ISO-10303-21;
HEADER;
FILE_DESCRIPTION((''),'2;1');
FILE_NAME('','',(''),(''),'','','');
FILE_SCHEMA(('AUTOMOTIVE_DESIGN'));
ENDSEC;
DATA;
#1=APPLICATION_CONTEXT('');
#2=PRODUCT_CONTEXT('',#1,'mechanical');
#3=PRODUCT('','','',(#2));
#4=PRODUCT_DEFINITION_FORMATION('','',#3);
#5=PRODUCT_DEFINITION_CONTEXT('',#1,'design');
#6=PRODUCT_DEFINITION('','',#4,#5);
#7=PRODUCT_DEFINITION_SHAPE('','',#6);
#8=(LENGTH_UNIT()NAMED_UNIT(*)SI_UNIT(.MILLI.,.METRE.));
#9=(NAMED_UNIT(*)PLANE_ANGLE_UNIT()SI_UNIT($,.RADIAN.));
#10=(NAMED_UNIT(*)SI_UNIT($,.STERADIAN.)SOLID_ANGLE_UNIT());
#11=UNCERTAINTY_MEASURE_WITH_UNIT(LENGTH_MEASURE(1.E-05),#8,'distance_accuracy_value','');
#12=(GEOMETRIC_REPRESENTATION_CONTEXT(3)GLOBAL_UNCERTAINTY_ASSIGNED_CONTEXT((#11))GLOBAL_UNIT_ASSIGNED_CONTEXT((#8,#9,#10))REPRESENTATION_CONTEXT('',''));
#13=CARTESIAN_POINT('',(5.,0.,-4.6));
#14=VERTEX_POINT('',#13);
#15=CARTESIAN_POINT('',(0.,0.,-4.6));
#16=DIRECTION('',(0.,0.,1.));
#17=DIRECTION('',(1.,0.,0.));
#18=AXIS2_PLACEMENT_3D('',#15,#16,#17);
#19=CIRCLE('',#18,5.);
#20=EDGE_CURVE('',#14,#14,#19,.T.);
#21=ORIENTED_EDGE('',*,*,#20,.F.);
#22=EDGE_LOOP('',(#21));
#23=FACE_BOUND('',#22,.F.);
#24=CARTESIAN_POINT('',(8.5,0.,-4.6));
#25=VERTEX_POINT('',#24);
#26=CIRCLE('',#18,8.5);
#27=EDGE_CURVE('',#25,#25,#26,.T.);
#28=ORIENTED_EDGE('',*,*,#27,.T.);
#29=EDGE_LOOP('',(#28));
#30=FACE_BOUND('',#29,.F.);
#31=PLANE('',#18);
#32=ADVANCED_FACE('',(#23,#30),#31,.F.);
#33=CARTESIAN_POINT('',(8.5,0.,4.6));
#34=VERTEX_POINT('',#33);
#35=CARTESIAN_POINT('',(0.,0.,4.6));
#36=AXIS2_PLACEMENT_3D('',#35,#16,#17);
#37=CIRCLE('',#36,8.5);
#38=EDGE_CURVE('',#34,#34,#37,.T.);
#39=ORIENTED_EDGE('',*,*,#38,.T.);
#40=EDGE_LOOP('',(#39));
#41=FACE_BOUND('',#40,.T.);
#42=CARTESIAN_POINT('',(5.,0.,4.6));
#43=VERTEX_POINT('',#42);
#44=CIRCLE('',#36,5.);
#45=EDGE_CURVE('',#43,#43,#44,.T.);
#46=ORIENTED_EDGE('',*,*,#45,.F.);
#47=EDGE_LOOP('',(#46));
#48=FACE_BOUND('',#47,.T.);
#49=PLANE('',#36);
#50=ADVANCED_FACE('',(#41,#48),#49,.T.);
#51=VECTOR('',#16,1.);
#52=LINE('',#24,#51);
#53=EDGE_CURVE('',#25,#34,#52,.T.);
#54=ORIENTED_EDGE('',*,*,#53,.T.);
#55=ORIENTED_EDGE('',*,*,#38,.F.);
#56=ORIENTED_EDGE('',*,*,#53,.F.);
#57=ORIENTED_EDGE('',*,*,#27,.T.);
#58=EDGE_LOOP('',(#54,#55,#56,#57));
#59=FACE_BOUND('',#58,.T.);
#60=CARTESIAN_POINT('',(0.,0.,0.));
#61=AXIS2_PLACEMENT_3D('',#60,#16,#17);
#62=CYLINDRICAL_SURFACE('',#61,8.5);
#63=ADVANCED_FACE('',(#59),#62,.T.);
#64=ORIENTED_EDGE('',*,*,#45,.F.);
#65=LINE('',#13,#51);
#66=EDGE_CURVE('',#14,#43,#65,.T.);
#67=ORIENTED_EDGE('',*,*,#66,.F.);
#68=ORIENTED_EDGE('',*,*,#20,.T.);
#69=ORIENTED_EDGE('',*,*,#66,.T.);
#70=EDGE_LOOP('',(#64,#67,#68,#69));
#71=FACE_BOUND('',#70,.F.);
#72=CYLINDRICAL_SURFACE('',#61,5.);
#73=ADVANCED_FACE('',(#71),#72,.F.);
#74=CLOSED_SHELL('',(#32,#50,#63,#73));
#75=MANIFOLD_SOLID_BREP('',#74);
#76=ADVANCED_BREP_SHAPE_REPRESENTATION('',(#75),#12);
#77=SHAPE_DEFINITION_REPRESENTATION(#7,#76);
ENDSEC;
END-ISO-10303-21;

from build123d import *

# Parameters (mm, degrees)
SKETCH_3_R          = 8.5
EXTRUDE_2_DEPTH     = 4.6
SKETCH_4_R          = 5
CUT_EXTRUDE_1_DEPTH = 4.6


with BuildPart() as part:
    # 草图3 → 凸台-拉伸2 (new body, symmetric)
    with BuildSketch(Plane.XY):
        Circle(SKETCH_3_R)
    extrude(amount=EXTRUDE_2_DEPTH, both=True)

    # 草图4 → 切除-拉伸1 (cut, symmetric)
    with BuildSketch(Plane.XY):
        Circle(SKETCH_4_R)
    extrude(amount=CUT_EXTRUDE_1_DEPTH, both=True, mode=Mode.SUBTRACT)


solid = part.part
